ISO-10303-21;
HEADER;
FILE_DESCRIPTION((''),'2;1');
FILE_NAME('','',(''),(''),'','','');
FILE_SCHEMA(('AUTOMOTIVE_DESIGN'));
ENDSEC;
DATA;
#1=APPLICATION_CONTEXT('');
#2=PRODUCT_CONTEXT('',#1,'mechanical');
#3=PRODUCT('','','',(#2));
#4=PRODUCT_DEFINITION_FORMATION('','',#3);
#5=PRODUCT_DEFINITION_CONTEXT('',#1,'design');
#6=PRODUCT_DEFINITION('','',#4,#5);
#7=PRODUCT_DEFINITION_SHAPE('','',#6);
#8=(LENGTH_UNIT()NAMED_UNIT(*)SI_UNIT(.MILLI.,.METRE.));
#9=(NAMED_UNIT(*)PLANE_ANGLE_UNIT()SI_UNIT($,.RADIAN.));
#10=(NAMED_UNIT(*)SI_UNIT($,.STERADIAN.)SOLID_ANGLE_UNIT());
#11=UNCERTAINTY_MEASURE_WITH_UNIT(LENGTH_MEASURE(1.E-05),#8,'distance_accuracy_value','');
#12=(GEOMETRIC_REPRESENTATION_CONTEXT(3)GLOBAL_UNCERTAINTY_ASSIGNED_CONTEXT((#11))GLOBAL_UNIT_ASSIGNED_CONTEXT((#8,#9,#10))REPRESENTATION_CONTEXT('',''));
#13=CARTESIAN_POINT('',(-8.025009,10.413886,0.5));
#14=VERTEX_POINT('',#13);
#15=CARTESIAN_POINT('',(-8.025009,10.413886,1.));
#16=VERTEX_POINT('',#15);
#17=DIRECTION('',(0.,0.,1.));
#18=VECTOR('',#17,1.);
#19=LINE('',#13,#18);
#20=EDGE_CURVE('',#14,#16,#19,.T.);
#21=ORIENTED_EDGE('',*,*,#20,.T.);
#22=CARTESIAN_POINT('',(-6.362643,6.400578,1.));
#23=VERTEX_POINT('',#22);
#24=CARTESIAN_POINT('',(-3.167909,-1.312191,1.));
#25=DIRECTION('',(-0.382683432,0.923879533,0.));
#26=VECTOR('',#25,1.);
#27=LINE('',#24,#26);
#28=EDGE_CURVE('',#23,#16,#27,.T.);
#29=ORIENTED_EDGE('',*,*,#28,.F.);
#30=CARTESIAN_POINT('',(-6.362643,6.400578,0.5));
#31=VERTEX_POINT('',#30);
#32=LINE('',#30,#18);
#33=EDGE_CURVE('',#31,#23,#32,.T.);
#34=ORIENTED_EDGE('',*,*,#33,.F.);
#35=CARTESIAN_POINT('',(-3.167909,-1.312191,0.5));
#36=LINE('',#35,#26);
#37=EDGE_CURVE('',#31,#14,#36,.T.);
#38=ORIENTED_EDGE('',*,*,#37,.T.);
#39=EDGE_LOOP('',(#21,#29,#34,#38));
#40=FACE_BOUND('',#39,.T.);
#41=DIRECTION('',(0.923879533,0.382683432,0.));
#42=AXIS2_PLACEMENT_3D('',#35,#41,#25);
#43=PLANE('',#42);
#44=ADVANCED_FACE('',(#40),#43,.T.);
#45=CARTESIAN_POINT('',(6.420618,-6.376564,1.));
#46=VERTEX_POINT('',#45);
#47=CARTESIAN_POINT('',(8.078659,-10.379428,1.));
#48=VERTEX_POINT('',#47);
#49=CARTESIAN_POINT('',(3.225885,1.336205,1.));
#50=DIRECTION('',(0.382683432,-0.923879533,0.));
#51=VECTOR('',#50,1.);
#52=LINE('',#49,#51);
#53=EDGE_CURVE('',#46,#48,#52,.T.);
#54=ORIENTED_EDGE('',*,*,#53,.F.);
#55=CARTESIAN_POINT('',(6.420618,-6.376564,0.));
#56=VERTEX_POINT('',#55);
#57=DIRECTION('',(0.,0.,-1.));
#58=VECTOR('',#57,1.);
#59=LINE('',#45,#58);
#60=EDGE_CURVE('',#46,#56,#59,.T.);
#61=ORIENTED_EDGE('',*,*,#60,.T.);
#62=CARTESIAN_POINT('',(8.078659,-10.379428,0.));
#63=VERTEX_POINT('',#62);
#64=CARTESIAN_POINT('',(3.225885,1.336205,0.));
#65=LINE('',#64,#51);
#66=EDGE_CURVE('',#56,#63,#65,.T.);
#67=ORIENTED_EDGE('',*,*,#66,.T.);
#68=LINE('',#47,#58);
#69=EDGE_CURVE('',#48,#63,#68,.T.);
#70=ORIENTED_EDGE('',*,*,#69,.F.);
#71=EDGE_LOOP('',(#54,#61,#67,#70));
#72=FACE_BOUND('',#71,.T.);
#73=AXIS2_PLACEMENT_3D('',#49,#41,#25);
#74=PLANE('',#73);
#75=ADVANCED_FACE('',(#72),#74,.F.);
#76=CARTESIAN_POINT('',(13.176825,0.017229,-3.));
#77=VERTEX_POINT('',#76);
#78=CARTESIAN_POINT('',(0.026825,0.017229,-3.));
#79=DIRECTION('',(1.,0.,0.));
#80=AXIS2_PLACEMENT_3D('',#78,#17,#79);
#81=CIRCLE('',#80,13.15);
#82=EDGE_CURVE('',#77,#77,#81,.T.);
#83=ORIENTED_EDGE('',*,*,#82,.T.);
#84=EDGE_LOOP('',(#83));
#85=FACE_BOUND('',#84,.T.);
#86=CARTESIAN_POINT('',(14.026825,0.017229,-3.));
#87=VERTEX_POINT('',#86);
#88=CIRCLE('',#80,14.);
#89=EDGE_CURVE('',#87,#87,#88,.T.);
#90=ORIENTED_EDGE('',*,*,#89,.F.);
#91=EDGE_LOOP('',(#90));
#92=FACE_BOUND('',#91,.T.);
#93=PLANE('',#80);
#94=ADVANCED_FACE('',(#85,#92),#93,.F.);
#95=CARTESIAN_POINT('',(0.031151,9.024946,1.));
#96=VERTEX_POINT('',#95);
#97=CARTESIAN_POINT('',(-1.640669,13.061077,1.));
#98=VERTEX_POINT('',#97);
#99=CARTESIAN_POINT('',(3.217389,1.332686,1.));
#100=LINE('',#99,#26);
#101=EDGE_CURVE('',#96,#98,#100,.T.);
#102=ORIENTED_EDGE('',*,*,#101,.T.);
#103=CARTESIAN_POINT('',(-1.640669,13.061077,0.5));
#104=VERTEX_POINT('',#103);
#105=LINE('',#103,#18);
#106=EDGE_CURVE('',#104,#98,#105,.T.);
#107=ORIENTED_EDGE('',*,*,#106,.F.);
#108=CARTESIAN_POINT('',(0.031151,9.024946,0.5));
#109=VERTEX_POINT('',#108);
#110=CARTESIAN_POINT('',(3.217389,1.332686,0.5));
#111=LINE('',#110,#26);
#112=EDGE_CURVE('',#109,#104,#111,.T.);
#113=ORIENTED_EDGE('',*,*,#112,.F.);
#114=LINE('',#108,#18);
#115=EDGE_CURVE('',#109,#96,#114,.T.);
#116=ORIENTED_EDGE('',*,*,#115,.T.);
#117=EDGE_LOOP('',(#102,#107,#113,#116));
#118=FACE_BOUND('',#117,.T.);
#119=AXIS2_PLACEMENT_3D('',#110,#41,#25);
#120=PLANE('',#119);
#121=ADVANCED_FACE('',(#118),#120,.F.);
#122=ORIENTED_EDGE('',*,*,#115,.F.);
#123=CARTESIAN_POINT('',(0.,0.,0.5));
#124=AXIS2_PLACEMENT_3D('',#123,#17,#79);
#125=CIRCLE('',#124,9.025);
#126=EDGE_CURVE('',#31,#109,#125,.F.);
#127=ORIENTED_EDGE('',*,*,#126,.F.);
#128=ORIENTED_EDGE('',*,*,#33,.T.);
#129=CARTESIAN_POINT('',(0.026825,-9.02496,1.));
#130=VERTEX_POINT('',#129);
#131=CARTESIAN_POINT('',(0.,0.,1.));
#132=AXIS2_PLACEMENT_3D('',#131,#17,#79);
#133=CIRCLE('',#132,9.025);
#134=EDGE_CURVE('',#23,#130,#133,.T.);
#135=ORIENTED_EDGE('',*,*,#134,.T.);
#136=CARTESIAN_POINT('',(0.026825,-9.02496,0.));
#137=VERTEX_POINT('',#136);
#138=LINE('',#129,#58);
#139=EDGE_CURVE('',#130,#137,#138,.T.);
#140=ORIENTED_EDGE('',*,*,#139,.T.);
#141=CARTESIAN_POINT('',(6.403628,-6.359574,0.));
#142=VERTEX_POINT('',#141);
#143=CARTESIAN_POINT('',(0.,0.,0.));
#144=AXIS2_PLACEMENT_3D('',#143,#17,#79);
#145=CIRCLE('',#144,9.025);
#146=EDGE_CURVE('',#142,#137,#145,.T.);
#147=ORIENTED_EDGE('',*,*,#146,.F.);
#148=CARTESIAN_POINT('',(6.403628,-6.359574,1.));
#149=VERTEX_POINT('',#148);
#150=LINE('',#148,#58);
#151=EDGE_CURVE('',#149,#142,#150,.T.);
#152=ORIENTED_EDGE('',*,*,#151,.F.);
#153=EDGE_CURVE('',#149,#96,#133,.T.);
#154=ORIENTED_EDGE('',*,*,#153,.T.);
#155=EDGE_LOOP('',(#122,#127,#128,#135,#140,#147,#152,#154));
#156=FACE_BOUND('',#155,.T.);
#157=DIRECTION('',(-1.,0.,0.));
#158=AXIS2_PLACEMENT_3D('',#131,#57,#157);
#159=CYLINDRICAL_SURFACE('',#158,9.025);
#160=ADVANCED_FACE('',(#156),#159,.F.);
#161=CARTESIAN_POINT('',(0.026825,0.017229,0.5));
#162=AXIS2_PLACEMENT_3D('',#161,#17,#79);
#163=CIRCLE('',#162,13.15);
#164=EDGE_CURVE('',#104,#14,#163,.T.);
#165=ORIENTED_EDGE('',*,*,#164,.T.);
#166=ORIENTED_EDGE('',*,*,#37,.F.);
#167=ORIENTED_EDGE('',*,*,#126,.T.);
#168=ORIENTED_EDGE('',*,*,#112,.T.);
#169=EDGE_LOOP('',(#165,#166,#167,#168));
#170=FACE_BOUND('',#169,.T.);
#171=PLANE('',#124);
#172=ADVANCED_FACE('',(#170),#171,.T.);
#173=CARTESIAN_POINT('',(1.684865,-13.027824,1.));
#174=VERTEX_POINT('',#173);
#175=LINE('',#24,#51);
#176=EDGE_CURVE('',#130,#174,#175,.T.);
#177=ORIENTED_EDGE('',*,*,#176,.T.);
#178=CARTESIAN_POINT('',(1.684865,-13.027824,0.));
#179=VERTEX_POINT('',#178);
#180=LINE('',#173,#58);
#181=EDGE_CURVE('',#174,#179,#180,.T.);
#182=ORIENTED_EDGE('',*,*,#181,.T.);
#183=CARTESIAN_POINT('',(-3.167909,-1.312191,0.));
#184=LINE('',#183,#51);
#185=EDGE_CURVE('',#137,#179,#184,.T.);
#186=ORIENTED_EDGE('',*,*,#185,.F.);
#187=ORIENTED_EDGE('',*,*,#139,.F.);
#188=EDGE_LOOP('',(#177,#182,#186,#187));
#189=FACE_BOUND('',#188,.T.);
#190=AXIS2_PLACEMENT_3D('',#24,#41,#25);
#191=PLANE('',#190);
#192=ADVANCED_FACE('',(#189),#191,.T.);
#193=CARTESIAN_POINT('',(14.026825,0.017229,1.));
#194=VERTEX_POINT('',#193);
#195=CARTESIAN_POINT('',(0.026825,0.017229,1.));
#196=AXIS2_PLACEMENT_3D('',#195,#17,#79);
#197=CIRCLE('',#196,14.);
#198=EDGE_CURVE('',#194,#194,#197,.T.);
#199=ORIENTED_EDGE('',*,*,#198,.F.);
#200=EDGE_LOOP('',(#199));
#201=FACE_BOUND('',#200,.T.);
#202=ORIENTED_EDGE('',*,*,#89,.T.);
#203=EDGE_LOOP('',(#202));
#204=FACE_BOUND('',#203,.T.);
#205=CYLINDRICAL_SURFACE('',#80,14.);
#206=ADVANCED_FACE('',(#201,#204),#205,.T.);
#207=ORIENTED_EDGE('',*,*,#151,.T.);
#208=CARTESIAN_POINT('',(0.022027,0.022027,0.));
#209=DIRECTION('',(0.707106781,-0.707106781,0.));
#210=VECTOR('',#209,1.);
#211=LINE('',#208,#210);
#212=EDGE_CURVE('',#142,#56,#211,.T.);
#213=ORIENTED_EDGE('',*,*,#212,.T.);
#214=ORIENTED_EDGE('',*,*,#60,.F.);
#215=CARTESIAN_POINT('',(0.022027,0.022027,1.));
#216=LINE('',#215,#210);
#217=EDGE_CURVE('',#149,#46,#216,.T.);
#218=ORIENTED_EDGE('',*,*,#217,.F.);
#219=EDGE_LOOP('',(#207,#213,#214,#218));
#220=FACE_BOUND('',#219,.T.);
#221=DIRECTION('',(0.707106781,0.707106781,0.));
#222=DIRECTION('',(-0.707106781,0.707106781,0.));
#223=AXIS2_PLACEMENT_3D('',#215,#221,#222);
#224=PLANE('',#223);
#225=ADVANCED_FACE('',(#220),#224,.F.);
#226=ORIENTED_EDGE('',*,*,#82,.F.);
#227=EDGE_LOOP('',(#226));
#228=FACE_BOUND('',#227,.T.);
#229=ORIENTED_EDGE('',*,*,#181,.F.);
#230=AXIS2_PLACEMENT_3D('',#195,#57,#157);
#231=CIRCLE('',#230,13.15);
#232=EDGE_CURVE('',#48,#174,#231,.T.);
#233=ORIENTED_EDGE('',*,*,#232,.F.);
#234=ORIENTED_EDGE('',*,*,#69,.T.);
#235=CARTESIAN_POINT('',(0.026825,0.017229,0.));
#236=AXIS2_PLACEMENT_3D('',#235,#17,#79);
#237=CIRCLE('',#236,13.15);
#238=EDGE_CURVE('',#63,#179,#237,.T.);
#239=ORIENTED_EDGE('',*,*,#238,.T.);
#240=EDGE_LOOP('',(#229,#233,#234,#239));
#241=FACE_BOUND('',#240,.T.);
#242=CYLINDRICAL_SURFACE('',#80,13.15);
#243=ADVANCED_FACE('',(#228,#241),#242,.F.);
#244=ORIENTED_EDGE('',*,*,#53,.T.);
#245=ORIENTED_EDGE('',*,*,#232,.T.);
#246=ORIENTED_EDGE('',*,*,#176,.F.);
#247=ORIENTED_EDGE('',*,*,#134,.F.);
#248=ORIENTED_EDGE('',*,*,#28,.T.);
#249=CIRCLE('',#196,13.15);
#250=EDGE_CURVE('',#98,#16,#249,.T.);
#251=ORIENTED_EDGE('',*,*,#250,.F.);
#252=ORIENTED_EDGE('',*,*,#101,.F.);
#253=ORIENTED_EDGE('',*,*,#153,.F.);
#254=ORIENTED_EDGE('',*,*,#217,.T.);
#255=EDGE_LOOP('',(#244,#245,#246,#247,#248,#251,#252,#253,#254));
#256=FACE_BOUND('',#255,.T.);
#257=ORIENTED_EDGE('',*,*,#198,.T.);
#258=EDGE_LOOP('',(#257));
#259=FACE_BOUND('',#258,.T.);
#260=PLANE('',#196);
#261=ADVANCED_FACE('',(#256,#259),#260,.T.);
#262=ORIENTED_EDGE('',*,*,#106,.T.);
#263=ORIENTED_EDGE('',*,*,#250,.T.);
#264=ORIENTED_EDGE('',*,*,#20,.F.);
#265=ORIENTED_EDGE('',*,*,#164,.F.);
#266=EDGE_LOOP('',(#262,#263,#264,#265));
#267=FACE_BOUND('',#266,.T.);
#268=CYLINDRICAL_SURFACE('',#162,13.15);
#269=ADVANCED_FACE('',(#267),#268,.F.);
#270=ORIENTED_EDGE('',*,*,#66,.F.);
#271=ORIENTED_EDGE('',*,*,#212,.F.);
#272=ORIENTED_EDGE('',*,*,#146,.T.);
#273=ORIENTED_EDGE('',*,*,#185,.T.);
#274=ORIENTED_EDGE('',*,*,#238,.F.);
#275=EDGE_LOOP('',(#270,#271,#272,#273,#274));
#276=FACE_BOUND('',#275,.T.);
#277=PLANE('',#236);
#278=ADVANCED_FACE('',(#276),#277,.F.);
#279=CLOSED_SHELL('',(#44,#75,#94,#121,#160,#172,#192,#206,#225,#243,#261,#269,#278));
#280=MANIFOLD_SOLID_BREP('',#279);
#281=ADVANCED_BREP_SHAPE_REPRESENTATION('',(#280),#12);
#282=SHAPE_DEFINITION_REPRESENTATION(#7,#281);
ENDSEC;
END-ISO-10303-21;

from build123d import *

# Parameters (mm, degrees)
SKETCH1_R           = 14
SKETCH1_R_2         = 13.15
BOSS_EXTRUDE1_DEPTH = 3
BOSS_EXTRUDE2_START = 1
SKETCH2_R           = 14
SKETCH2_R_2         = 9.025
BOSS_EXTRUDE2_DEPTH = 1
CUT_EXTRUDE1_DEPTH  = 21.055785441
CUT_EXTRUDE2_DEPTH  = 0.5


with BuildPart() as part:
    # Sketch1 → Boss-Extrude1 (new body)
    with BuildSketch(Plane.XY):
        with Locations((0.026824761, 0.017229283)):
            Circle(SKETCH1_R)
        with Locations((0.026824761, 0.017229283)):
            Circle(SKETCH1_R_2, mode=Mode.SUBTRACT)
    extrude(amount=-BOSS_EXTRUDE1_DEPTH)

    # Sketch2 → Boss-Extrude2 (add)
    with BuildSketch(Plane.XY.offset(BOSS_EXTRUDE2_START)):
        with Locations((0.026824761, 0.017229283)):
            Circle(SKETCH2_R)
        Circle(SKETCH2_R_2, mode=Mode.SUBTRACT)
    extrude(amount=-BOSS_EXTRUDE2_DEPTH)

    # Sketch3 → Cut-Extrude1 (cut, through all)
    with BuildSketch(Plane(origin=(0, 0, 0), x_dir=(-1, 0, 0), z_dir=(0, 0, -1))):
        with BuildLine():
            Line((-1.684865059, -13.02782351), (-0.026824761, -9.024960135))
            ThreePointArc((-0.026824761, -9.024960135), (-3.480481432, -8.326876605), (-6.403627708, -6.359573664))
            Line((-6.403627708, -6.359573664), (-6.420618215, -6.376564171))
            Line((-6.420618215, -6.376564171), (-8.078658513, -10.379427546))
            ThreePointArc((-8.078658513, -10.379427546), (-5.059111896, -12.131786569), (-1.684865059, -13.02782351))
        make_face()
    extrude(amount=-CUT_EXTRUDE1_DEPTH, mode=Mode.SUBTRACT)

    # Sketch4 → Cut-Extrude2 (cut)
    with BuildSketch(Plane.XY.offset(1)):
        with BuildLine():
            ThreePointArc((-6.362642541, 6.400578481), (-3.426918892, 8.349062936), (0.031150913, 9.024946239))
            Line((0.031150913, 9.024946239), (-1.640669197, 13.061077025))
            ThreePointArc((-1.640669197, 13.061077025), (-5.009864402, 12.164420822), (-8.025008992, 10.413886112))
            Line((-8.025008992, 10.413886112), (-6.362642541, 6.400578481))
        make_face()
    extrude(amount=-CUT_EXTRUDE2_DEPTH, mode=Mode.SUBTRACT)


solid = part.part
